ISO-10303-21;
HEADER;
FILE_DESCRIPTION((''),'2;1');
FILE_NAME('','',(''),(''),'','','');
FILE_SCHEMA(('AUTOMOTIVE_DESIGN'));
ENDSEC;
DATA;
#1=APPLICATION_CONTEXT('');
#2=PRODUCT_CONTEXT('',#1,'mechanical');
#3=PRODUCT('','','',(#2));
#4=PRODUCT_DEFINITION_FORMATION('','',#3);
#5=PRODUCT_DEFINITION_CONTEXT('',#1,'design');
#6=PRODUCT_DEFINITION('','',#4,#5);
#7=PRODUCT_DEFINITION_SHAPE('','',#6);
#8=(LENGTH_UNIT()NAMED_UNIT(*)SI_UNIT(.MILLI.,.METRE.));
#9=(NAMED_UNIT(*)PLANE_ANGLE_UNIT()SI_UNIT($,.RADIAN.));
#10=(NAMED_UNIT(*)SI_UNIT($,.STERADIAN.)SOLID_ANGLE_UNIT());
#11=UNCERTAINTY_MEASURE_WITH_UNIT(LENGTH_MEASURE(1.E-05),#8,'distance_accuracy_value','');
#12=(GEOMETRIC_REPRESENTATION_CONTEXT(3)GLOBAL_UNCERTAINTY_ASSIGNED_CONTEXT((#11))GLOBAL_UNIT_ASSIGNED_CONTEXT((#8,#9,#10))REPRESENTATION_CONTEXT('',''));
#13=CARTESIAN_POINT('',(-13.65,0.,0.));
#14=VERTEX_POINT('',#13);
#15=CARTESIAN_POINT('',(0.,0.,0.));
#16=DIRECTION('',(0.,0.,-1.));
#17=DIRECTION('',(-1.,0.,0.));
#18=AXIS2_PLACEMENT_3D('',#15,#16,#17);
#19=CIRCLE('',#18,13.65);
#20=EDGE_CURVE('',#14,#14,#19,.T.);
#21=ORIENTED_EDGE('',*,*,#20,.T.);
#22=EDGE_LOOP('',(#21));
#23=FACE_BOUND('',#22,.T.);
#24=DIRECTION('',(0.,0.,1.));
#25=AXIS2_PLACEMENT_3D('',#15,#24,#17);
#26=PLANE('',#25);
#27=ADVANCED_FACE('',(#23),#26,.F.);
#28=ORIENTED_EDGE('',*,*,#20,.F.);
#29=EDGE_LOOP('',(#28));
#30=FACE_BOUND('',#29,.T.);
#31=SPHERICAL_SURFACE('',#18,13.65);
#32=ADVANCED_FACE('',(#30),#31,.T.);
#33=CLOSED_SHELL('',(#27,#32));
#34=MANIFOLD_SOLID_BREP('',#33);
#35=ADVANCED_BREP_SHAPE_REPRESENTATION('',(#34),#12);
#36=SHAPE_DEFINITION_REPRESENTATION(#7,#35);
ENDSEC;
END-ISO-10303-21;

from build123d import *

# Parameters (mm, degrees)
REVOLVE_6_ANGLE = 180


with BuildPart() as part:
    # ｽｹｯﾁ1 → 回転6 (revolve)
    with BuildSketch(Plane.XY):
        with BuildLine():
            Line((-13.65, 0), (13.65, 0))
            ThreePointArc((13.65, 0), (0, 13.65), (-13.65, 0))
        make_face()
    revolve(axis=Axis((-13.65, 0, 0), (1, 0, 0)), revolution_arc=REVOLVE_6_ANGLE)


solid = part.part
